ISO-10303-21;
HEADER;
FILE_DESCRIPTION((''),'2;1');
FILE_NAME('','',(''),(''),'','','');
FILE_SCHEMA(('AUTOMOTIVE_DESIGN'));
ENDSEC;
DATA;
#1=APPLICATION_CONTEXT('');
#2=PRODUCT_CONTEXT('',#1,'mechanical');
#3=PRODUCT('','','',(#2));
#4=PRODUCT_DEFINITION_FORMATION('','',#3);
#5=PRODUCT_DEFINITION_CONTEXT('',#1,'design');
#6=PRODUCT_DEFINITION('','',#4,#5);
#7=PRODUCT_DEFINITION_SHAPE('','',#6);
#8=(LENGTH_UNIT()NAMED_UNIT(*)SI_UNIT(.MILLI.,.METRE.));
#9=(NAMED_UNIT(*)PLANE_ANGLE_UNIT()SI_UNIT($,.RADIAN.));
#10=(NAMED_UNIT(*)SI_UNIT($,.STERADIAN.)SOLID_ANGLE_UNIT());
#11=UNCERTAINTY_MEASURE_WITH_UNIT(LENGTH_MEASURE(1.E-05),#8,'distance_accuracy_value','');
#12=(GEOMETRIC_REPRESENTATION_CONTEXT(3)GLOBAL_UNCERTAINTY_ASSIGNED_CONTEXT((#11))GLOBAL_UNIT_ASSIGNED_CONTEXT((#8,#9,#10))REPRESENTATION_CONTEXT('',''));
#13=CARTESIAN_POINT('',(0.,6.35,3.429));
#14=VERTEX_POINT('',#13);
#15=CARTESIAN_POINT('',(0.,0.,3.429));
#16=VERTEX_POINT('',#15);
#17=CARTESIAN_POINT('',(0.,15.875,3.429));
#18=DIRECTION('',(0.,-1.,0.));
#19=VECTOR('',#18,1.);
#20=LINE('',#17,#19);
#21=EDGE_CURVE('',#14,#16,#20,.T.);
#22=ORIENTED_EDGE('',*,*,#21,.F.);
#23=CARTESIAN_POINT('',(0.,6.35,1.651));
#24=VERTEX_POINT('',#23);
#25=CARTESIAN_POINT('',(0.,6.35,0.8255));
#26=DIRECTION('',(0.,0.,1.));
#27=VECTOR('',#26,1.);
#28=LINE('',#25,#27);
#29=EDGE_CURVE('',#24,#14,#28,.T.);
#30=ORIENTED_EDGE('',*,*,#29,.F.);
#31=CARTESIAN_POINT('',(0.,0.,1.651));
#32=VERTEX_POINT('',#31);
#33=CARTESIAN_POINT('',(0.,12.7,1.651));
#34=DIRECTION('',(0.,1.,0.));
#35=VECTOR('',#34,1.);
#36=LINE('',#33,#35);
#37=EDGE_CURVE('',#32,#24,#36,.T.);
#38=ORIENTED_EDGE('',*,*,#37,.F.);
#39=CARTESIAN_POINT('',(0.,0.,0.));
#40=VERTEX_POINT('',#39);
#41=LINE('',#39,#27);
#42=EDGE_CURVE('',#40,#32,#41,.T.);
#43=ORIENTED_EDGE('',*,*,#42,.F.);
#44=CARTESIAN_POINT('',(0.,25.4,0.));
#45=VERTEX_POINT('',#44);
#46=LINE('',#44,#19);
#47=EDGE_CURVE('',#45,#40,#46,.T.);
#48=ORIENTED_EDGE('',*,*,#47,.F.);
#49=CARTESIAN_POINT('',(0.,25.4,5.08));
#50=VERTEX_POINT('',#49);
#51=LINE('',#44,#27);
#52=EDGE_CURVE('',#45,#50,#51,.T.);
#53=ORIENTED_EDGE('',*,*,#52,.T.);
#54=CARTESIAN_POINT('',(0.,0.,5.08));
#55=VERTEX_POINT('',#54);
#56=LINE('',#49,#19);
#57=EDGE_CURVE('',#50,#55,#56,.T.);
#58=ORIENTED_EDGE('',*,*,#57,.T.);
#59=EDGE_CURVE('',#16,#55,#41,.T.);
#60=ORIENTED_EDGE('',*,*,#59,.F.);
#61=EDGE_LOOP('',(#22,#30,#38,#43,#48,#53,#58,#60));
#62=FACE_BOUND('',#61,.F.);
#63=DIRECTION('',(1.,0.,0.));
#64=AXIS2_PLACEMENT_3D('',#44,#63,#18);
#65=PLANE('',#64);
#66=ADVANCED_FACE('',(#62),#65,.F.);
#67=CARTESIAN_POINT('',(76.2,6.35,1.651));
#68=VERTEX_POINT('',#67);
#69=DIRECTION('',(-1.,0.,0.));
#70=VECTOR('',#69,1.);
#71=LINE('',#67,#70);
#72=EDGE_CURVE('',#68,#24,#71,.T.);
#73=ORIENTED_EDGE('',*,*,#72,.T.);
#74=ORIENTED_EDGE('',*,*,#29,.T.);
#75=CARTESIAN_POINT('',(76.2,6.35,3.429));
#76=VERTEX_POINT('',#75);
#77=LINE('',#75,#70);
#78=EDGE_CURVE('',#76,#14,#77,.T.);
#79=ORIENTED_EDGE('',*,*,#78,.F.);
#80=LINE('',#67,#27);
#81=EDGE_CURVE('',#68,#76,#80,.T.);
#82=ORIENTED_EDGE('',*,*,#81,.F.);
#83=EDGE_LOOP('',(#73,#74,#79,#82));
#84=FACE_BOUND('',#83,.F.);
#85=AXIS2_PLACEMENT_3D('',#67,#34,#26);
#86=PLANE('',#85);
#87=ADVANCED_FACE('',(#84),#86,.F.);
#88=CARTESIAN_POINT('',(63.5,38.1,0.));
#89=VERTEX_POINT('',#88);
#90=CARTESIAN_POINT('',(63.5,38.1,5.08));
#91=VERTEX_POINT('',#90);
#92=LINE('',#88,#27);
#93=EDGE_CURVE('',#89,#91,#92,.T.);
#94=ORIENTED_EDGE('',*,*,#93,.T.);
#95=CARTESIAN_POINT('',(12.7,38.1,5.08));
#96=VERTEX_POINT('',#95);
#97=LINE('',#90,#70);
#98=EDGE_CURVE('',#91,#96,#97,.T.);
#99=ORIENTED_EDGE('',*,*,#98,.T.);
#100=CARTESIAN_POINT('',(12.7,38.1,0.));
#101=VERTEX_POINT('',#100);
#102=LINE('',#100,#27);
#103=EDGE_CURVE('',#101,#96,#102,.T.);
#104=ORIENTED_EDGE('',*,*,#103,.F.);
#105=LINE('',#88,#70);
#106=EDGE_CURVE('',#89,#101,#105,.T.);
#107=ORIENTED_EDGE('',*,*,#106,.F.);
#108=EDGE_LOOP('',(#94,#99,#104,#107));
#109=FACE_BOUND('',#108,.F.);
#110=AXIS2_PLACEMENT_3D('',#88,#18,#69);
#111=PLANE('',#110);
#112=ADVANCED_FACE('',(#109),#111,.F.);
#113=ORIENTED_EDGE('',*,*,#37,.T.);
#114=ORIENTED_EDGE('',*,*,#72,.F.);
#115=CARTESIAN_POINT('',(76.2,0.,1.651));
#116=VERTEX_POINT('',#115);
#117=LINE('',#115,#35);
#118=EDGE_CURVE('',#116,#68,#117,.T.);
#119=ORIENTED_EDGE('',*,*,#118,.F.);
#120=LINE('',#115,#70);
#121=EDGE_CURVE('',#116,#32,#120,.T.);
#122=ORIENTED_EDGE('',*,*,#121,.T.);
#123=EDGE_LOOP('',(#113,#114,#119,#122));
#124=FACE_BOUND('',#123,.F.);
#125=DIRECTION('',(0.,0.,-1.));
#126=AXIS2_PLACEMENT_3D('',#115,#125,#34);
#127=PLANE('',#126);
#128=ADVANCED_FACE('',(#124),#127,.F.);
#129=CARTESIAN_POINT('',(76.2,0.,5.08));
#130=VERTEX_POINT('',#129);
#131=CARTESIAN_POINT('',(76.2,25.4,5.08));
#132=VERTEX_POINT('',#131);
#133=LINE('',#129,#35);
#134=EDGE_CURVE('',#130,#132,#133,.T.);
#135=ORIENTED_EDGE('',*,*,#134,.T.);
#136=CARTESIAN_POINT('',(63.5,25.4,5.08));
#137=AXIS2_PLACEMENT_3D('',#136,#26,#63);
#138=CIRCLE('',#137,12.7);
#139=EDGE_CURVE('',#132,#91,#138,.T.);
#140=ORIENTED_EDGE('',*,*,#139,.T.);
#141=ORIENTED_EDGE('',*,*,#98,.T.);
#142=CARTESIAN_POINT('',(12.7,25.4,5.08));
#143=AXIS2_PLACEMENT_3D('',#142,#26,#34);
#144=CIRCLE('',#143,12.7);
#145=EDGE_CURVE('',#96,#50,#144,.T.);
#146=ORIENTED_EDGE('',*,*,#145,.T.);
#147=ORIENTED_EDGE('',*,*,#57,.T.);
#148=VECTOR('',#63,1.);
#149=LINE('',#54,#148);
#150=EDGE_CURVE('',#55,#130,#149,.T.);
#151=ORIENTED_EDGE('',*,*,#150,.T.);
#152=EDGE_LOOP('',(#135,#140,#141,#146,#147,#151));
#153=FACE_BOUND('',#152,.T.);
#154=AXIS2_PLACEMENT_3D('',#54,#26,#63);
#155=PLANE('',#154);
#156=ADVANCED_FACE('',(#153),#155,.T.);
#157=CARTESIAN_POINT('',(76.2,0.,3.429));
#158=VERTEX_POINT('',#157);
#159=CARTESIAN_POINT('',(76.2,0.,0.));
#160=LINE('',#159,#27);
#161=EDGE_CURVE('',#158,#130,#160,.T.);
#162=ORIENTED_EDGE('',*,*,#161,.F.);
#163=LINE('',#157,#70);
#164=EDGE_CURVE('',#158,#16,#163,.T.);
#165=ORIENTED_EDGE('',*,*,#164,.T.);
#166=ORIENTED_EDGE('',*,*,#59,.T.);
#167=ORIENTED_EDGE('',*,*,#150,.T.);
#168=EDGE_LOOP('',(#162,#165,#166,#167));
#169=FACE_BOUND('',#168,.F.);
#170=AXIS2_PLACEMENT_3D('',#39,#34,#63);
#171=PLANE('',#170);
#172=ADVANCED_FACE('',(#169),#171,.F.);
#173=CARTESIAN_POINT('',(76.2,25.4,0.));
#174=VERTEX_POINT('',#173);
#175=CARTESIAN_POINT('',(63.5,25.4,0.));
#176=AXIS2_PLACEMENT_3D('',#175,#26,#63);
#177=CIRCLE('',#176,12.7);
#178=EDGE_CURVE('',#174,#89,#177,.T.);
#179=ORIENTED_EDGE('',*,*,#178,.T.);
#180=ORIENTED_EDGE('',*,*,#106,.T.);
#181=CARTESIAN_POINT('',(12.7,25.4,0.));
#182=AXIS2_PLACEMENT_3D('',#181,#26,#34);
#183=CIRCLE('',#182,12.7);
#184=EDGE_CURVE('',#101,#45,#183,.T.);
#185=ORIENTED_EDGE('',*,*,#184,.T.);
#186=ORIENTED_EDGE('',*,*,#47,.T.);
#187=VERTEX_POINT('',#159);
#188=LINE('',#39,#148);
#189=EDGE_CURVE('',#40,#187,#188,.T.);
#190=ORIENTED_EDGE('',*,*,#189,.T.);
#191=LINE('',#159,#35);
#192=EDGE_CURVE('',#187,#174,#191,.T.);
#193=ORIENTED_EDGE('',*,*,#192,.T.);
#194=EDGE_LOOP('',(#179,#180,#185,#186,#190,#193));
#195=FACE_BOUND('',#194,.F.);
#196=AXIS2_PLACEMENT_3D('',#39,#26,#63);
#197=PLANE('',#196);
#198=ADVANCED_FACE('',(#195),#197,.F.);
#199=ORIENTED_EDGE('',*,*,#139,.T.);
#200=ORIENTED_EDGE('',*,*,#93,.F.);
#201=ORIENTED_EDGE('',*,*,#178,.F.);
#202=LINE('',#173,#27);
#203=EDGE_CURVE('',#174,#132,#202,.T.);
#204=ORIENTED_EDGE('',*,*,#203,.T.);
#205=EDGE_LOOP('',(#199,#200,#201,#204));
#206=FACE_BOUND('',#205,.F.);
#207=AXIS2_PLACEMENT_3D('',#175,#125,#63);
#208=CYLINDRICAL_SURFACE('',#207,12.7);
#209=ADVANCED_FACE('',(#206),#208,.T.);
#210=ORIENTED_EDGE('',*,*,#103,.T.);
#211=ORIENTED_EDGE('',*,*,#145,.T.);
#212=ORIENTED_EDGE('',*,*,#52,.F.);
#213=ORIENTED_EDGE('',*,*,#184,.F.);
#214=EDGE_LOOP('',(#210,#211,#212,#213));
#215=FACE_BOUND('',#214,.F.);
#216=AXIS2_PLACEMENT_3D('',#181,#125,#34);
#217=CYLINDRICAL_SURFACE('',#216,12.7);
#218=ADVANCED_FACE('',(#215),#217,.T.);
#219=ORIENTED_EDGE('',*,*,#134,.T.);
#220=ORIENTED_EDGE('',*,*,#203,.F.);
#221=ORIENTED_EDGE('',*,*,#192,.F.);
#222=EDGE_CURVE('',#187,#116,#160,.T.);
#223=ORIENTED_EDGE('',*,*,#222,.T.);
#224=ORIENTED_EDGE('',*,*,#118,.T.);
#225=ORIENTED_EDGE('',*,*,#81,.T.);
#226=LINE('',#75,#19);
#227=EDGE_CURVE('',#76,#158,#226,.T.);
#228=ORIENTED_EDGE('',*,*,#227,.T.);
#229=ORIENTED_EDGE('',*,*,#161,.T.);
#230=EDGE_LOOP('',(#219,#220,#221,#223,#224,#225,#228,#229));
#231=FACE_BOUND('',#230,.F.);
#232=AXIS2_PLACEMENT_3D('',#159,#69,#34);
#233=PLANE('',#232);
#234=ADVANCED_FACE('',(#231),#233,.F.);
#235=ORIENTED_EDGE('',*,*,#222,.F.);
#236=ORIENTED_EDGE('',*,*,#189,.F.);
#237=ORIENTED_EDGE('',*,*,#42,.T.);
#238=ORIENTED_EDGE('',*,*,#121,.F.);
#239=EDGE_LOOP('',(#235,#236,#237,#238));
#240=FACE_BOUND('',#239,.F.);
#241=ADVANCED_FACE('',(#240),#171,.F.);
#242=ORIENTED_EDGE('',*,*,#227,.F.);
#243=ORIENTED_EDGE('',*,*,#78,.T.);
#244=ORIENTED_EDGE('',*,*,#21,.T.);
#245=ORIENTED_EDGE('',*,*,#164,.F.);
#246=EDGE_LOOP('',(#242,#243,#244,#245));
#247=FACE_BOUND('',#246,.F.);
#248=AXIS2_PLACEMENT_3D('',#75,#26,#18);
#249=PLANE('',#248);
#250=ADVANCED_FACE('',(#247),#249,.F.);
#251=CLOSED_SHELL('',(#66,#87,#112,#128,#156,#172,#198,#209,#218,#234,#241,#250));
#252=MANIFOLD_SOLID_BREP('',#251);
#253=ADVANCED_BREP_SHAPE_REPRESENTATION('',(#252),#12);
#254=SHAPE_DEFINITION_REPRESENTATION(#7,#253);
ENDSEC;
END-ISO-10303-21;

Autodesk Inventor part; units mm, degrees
ref_plane "YZ Plane" through (0, 0, 0) normal (1, 0, 0) x (0, 1, 0)
ref_plane "XZ Plane" through (0, 0, 0) normal (0, 1, 0) x (-1, 0, 0)
ref_plane "XY Plane" through (0, 0, 0) normal (0, 0, 1) x (1, 0, 0)
sketch "Sketch1" plane through (0, 0, 0) normal (0, 0, 1) x (1, 0, 0)
  line L0 (0, 0) -> (76.2, 0)
  line L1 (76.2, 0) -> (76.2, 25.4)
  line L2 (63.5, 38.1) -> (12.7, 38.1)
  line L3 (0, 25.4) -> (0, 0)
  arc A0 (12.7, 38.1) -> (0, 25.4) centre (12.7, 25.4) ccw
  arc A1 (76.2, 25.4) -> (63.5, 38.1) centre (63.5, 25.4) ccw
  point P0 (76.2, 38.1)
  dimension "d0" = 76.2
  dimension "d1" = 38.1
  dimension "d2" = 12.7
extrude "Extrusion1" add sketch "Sketch1" along normal blind 5.08
sketch "Sketch2" plane through (76.2, 0, 0) normal (1, 0, 0) x (0, 0, -1)
  line L0 (0, 0) -> (-5.08, 0) projected
  line L1 (-1.651, 0) -> (-1.651, 6.35)
  line L2 (-1.651, 6.35) -> (-3.429, 6.35)
  line L3 (-3.429, 6.35) -> (-3.429, 0)
  line L4 (-3.429, 0) -> (-1.651, 0)
  dimension "d5" = 6.35
  dimension "d6" = 1.778
extrude "Extrusion2" cut sketch "Sketch2" against normal blind 101.6
properties part number "!caddy_wall"
